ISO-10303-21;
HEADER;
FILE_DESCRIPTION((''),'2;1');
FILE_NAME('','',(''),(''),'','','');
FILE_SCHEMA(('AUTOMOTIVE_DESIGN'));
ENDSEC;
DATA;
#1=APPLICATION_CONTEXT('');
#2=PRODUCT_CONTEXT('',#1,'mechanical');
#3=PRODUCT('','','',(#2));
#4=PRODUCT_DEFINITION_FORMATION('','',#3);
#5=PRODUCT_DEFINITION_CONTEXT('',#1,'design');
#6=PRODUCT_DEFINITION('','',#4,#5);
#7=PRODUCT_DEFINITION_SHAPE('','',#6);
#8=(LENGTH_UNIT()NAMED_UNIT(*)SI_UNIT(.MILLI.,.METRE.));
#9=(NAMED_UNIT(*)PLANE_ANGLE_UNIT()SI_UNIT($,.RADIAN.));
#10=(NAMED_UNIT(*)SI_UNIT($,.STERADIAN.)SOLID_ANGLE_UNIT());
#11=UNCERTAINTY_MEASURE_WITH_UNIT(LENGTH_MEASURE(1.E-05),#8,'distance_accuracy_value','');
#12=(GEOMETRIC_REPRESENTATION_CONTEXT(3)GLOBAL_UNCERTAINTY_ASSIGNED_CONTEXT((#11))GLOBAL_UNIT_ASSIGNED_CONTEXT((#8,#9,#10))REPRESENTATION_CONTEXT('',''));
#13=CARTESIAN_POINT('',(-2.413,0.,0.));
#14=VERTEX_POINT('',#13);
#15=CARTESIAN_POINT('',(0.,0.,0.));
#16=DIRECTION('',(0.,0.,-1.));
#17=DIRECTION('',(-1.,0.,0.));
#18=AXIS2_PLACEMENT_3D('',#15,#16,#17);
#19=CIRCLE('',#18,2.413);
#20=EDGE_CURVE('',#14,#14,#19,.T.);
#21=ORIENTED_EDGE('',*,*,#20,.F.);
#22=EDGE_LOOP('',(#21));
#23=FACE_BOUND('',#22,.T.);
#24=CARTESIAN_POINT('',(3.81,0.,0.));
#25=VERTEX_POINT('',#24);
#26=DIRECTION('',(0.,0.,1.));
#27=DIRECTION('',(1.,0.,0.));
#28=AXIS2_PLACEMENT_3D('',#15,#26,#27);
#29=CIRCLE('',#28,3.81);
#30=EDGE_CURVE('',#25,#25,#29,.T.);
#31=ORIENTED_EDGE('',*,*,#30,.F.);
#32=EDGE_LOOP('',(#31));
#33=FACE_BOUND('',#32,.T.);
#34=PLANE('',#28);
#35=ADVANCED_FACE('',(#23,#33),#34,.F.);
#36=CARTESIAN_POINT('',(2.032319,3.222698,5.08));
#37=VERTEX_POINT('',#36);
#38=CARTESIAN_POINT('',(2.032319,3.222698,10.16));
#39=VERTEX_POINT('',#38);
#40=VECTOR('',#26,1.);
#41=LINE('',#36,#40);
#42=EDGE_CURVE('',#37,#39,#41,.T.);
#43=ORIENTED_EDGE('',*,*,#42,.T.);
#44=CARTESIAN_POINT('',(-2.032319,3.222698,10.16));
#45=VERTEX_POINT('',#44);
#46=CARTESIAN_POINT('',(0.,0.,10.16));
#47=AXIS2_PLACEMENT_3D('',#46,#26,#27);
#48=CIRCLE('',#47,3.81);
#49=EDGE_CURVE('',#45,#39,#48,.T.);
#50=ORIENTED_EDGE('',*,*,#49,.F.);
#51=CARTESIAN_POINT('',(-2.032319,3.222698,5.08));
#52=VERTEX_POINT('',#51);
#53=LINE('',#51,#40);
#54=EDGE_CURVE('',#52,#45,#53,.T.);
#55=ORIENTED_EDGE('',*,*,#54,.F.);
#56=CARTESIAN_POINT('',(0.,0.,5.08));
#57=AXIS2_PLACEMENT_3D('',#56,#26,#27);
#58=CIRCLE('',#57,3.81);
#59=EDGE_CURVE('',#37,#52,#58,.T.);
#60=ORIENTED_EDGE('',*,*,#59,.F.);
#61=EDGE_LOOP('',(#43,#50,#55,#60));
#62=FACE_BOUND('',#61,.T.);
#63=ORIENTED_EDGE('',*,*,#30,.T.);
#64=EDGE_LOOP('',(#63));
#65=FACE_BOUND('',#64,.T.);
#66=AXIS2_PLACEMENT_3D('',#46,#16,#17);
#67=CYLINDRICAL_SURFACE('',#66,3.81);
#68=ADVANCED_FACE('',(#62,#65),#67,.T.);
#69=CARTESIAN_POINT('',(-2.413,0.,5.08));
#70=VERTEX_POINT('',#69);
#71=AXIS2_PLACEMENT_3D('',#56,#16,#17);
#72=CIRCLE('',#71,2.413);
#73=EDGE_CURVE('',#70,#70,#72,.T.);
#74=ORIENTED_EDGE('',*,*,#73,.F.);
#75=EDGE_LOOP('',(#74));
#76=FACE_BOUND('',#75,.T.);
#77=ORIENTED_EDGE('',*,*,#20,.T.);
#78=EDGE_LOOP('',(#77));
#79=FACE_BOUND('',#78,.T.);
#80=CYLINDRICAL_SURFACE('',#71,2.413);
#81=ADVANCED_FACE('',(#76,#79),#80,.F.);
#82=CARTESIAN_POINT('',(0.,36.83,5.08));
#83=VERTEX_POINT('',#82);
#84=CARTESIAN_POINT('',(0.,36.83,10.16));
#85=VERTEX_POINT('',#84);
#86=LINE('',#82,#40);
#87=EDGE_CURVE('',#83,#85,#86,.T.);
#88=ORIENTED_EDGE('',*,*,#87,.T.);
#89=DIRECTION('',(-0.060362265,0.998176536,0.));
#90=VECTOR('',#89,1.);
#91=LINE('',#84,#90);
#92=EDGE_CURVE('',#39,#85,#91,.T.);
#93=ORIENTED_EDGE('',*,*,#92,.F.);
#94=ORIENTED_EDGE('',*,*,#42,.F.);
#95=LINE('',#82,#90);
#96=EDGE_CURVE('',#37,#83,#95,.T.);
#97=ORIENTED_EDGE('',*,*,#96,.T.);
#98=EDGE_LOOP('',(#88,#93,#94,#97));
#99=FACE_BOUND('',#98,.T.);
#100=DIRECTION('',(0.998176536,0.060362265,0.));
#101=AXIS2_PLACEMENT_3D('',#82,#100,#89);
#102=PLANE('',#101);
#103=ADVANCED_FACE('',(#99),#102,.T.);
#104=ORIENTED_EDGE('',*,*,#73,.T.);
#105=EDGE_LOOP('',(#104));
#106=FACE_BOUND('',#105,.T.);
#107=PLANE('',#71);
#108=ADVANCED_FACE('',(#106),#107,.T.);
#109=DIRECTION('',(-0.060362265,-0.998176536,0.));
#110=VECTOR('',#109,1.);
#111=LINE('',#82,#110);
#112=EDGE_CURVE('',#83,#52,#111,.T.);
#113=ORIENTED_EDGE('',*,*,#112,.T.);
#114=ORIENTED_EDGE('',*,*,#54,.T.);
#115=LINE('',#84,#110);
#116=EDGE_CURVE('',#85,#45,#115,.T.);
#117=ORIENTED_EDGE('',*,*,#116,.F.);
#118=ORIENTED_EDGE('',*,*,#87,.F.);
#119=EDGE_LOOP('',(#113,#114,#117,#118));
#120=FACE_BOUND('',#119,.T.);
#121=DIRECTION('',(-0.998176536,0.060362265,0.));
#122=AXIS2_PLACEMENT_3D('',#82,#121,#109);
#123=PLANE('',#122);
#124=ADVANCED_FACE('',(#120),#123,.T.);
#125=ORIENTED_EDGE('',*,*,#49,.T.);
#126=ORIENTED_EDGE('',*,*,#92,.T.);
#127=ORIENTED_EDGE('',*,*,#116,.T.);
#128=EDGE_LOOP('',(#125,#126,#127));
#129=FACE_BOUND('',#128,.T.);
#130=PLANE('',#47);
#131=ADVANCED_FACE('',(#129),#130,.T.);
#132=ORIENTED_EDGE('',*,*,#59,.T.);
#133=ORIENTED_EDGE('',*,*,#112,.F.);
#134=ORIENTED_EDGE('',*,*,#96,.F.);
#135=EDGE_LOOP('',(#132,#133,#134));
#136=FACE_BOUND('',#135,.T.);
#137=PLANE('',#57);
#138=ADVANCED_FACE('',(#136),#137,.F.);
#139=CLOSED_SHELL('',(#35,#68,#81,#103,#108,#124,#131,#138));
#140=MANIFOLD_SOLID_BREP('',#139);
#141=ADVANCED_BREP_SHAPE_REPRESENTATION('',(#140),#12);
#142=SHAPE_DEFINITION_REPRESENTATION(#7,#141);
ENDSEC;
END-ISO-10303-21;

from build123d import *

# Parameters (mm, degrees)
SKETCH1_R           = 3.81
BOSS_EXTRUDE2_DEPTH = 10.16
BOSS_EXTRUDE3_DEPTH = 5.08
SKETCH5_R           = 2.413
CUT_EXTRUDE1_DEPTH  = 5.08


with BuildPart() as part:
    # Sketch1 → Boss-Extrude2 (new body)
    with BuildSketch(Plane.XY):
        Circle(SKETCH1_R)
    extrude(amount=BOSS_EXTRUDE2_DEPTH)

    # Sketch4 → Boss-Extrude3 (add)
    with BuildSketch(Plane.XY.offset(10.16)):
        Polygon((-2.032318753, 3.222697703), (2.032318753, 3.222697703), (0, 36.83), align=None)
    extrude(amount=-BOSS_EXTRUDE3_DEPTH)

    # Sketch5 → Cut-Extrude1 (cut)
    with BuildSketch(Plane(origin=(0, 0, 0), x_dir=(-1, 0, 0), z_dir=(0, 0, -1))):
        Circle(SKETCH5_R)
    extrude(amount=-CUT_EXTRUDE1_DEPTH, mode=Mode.SUBTRACT)


solid = part.part
